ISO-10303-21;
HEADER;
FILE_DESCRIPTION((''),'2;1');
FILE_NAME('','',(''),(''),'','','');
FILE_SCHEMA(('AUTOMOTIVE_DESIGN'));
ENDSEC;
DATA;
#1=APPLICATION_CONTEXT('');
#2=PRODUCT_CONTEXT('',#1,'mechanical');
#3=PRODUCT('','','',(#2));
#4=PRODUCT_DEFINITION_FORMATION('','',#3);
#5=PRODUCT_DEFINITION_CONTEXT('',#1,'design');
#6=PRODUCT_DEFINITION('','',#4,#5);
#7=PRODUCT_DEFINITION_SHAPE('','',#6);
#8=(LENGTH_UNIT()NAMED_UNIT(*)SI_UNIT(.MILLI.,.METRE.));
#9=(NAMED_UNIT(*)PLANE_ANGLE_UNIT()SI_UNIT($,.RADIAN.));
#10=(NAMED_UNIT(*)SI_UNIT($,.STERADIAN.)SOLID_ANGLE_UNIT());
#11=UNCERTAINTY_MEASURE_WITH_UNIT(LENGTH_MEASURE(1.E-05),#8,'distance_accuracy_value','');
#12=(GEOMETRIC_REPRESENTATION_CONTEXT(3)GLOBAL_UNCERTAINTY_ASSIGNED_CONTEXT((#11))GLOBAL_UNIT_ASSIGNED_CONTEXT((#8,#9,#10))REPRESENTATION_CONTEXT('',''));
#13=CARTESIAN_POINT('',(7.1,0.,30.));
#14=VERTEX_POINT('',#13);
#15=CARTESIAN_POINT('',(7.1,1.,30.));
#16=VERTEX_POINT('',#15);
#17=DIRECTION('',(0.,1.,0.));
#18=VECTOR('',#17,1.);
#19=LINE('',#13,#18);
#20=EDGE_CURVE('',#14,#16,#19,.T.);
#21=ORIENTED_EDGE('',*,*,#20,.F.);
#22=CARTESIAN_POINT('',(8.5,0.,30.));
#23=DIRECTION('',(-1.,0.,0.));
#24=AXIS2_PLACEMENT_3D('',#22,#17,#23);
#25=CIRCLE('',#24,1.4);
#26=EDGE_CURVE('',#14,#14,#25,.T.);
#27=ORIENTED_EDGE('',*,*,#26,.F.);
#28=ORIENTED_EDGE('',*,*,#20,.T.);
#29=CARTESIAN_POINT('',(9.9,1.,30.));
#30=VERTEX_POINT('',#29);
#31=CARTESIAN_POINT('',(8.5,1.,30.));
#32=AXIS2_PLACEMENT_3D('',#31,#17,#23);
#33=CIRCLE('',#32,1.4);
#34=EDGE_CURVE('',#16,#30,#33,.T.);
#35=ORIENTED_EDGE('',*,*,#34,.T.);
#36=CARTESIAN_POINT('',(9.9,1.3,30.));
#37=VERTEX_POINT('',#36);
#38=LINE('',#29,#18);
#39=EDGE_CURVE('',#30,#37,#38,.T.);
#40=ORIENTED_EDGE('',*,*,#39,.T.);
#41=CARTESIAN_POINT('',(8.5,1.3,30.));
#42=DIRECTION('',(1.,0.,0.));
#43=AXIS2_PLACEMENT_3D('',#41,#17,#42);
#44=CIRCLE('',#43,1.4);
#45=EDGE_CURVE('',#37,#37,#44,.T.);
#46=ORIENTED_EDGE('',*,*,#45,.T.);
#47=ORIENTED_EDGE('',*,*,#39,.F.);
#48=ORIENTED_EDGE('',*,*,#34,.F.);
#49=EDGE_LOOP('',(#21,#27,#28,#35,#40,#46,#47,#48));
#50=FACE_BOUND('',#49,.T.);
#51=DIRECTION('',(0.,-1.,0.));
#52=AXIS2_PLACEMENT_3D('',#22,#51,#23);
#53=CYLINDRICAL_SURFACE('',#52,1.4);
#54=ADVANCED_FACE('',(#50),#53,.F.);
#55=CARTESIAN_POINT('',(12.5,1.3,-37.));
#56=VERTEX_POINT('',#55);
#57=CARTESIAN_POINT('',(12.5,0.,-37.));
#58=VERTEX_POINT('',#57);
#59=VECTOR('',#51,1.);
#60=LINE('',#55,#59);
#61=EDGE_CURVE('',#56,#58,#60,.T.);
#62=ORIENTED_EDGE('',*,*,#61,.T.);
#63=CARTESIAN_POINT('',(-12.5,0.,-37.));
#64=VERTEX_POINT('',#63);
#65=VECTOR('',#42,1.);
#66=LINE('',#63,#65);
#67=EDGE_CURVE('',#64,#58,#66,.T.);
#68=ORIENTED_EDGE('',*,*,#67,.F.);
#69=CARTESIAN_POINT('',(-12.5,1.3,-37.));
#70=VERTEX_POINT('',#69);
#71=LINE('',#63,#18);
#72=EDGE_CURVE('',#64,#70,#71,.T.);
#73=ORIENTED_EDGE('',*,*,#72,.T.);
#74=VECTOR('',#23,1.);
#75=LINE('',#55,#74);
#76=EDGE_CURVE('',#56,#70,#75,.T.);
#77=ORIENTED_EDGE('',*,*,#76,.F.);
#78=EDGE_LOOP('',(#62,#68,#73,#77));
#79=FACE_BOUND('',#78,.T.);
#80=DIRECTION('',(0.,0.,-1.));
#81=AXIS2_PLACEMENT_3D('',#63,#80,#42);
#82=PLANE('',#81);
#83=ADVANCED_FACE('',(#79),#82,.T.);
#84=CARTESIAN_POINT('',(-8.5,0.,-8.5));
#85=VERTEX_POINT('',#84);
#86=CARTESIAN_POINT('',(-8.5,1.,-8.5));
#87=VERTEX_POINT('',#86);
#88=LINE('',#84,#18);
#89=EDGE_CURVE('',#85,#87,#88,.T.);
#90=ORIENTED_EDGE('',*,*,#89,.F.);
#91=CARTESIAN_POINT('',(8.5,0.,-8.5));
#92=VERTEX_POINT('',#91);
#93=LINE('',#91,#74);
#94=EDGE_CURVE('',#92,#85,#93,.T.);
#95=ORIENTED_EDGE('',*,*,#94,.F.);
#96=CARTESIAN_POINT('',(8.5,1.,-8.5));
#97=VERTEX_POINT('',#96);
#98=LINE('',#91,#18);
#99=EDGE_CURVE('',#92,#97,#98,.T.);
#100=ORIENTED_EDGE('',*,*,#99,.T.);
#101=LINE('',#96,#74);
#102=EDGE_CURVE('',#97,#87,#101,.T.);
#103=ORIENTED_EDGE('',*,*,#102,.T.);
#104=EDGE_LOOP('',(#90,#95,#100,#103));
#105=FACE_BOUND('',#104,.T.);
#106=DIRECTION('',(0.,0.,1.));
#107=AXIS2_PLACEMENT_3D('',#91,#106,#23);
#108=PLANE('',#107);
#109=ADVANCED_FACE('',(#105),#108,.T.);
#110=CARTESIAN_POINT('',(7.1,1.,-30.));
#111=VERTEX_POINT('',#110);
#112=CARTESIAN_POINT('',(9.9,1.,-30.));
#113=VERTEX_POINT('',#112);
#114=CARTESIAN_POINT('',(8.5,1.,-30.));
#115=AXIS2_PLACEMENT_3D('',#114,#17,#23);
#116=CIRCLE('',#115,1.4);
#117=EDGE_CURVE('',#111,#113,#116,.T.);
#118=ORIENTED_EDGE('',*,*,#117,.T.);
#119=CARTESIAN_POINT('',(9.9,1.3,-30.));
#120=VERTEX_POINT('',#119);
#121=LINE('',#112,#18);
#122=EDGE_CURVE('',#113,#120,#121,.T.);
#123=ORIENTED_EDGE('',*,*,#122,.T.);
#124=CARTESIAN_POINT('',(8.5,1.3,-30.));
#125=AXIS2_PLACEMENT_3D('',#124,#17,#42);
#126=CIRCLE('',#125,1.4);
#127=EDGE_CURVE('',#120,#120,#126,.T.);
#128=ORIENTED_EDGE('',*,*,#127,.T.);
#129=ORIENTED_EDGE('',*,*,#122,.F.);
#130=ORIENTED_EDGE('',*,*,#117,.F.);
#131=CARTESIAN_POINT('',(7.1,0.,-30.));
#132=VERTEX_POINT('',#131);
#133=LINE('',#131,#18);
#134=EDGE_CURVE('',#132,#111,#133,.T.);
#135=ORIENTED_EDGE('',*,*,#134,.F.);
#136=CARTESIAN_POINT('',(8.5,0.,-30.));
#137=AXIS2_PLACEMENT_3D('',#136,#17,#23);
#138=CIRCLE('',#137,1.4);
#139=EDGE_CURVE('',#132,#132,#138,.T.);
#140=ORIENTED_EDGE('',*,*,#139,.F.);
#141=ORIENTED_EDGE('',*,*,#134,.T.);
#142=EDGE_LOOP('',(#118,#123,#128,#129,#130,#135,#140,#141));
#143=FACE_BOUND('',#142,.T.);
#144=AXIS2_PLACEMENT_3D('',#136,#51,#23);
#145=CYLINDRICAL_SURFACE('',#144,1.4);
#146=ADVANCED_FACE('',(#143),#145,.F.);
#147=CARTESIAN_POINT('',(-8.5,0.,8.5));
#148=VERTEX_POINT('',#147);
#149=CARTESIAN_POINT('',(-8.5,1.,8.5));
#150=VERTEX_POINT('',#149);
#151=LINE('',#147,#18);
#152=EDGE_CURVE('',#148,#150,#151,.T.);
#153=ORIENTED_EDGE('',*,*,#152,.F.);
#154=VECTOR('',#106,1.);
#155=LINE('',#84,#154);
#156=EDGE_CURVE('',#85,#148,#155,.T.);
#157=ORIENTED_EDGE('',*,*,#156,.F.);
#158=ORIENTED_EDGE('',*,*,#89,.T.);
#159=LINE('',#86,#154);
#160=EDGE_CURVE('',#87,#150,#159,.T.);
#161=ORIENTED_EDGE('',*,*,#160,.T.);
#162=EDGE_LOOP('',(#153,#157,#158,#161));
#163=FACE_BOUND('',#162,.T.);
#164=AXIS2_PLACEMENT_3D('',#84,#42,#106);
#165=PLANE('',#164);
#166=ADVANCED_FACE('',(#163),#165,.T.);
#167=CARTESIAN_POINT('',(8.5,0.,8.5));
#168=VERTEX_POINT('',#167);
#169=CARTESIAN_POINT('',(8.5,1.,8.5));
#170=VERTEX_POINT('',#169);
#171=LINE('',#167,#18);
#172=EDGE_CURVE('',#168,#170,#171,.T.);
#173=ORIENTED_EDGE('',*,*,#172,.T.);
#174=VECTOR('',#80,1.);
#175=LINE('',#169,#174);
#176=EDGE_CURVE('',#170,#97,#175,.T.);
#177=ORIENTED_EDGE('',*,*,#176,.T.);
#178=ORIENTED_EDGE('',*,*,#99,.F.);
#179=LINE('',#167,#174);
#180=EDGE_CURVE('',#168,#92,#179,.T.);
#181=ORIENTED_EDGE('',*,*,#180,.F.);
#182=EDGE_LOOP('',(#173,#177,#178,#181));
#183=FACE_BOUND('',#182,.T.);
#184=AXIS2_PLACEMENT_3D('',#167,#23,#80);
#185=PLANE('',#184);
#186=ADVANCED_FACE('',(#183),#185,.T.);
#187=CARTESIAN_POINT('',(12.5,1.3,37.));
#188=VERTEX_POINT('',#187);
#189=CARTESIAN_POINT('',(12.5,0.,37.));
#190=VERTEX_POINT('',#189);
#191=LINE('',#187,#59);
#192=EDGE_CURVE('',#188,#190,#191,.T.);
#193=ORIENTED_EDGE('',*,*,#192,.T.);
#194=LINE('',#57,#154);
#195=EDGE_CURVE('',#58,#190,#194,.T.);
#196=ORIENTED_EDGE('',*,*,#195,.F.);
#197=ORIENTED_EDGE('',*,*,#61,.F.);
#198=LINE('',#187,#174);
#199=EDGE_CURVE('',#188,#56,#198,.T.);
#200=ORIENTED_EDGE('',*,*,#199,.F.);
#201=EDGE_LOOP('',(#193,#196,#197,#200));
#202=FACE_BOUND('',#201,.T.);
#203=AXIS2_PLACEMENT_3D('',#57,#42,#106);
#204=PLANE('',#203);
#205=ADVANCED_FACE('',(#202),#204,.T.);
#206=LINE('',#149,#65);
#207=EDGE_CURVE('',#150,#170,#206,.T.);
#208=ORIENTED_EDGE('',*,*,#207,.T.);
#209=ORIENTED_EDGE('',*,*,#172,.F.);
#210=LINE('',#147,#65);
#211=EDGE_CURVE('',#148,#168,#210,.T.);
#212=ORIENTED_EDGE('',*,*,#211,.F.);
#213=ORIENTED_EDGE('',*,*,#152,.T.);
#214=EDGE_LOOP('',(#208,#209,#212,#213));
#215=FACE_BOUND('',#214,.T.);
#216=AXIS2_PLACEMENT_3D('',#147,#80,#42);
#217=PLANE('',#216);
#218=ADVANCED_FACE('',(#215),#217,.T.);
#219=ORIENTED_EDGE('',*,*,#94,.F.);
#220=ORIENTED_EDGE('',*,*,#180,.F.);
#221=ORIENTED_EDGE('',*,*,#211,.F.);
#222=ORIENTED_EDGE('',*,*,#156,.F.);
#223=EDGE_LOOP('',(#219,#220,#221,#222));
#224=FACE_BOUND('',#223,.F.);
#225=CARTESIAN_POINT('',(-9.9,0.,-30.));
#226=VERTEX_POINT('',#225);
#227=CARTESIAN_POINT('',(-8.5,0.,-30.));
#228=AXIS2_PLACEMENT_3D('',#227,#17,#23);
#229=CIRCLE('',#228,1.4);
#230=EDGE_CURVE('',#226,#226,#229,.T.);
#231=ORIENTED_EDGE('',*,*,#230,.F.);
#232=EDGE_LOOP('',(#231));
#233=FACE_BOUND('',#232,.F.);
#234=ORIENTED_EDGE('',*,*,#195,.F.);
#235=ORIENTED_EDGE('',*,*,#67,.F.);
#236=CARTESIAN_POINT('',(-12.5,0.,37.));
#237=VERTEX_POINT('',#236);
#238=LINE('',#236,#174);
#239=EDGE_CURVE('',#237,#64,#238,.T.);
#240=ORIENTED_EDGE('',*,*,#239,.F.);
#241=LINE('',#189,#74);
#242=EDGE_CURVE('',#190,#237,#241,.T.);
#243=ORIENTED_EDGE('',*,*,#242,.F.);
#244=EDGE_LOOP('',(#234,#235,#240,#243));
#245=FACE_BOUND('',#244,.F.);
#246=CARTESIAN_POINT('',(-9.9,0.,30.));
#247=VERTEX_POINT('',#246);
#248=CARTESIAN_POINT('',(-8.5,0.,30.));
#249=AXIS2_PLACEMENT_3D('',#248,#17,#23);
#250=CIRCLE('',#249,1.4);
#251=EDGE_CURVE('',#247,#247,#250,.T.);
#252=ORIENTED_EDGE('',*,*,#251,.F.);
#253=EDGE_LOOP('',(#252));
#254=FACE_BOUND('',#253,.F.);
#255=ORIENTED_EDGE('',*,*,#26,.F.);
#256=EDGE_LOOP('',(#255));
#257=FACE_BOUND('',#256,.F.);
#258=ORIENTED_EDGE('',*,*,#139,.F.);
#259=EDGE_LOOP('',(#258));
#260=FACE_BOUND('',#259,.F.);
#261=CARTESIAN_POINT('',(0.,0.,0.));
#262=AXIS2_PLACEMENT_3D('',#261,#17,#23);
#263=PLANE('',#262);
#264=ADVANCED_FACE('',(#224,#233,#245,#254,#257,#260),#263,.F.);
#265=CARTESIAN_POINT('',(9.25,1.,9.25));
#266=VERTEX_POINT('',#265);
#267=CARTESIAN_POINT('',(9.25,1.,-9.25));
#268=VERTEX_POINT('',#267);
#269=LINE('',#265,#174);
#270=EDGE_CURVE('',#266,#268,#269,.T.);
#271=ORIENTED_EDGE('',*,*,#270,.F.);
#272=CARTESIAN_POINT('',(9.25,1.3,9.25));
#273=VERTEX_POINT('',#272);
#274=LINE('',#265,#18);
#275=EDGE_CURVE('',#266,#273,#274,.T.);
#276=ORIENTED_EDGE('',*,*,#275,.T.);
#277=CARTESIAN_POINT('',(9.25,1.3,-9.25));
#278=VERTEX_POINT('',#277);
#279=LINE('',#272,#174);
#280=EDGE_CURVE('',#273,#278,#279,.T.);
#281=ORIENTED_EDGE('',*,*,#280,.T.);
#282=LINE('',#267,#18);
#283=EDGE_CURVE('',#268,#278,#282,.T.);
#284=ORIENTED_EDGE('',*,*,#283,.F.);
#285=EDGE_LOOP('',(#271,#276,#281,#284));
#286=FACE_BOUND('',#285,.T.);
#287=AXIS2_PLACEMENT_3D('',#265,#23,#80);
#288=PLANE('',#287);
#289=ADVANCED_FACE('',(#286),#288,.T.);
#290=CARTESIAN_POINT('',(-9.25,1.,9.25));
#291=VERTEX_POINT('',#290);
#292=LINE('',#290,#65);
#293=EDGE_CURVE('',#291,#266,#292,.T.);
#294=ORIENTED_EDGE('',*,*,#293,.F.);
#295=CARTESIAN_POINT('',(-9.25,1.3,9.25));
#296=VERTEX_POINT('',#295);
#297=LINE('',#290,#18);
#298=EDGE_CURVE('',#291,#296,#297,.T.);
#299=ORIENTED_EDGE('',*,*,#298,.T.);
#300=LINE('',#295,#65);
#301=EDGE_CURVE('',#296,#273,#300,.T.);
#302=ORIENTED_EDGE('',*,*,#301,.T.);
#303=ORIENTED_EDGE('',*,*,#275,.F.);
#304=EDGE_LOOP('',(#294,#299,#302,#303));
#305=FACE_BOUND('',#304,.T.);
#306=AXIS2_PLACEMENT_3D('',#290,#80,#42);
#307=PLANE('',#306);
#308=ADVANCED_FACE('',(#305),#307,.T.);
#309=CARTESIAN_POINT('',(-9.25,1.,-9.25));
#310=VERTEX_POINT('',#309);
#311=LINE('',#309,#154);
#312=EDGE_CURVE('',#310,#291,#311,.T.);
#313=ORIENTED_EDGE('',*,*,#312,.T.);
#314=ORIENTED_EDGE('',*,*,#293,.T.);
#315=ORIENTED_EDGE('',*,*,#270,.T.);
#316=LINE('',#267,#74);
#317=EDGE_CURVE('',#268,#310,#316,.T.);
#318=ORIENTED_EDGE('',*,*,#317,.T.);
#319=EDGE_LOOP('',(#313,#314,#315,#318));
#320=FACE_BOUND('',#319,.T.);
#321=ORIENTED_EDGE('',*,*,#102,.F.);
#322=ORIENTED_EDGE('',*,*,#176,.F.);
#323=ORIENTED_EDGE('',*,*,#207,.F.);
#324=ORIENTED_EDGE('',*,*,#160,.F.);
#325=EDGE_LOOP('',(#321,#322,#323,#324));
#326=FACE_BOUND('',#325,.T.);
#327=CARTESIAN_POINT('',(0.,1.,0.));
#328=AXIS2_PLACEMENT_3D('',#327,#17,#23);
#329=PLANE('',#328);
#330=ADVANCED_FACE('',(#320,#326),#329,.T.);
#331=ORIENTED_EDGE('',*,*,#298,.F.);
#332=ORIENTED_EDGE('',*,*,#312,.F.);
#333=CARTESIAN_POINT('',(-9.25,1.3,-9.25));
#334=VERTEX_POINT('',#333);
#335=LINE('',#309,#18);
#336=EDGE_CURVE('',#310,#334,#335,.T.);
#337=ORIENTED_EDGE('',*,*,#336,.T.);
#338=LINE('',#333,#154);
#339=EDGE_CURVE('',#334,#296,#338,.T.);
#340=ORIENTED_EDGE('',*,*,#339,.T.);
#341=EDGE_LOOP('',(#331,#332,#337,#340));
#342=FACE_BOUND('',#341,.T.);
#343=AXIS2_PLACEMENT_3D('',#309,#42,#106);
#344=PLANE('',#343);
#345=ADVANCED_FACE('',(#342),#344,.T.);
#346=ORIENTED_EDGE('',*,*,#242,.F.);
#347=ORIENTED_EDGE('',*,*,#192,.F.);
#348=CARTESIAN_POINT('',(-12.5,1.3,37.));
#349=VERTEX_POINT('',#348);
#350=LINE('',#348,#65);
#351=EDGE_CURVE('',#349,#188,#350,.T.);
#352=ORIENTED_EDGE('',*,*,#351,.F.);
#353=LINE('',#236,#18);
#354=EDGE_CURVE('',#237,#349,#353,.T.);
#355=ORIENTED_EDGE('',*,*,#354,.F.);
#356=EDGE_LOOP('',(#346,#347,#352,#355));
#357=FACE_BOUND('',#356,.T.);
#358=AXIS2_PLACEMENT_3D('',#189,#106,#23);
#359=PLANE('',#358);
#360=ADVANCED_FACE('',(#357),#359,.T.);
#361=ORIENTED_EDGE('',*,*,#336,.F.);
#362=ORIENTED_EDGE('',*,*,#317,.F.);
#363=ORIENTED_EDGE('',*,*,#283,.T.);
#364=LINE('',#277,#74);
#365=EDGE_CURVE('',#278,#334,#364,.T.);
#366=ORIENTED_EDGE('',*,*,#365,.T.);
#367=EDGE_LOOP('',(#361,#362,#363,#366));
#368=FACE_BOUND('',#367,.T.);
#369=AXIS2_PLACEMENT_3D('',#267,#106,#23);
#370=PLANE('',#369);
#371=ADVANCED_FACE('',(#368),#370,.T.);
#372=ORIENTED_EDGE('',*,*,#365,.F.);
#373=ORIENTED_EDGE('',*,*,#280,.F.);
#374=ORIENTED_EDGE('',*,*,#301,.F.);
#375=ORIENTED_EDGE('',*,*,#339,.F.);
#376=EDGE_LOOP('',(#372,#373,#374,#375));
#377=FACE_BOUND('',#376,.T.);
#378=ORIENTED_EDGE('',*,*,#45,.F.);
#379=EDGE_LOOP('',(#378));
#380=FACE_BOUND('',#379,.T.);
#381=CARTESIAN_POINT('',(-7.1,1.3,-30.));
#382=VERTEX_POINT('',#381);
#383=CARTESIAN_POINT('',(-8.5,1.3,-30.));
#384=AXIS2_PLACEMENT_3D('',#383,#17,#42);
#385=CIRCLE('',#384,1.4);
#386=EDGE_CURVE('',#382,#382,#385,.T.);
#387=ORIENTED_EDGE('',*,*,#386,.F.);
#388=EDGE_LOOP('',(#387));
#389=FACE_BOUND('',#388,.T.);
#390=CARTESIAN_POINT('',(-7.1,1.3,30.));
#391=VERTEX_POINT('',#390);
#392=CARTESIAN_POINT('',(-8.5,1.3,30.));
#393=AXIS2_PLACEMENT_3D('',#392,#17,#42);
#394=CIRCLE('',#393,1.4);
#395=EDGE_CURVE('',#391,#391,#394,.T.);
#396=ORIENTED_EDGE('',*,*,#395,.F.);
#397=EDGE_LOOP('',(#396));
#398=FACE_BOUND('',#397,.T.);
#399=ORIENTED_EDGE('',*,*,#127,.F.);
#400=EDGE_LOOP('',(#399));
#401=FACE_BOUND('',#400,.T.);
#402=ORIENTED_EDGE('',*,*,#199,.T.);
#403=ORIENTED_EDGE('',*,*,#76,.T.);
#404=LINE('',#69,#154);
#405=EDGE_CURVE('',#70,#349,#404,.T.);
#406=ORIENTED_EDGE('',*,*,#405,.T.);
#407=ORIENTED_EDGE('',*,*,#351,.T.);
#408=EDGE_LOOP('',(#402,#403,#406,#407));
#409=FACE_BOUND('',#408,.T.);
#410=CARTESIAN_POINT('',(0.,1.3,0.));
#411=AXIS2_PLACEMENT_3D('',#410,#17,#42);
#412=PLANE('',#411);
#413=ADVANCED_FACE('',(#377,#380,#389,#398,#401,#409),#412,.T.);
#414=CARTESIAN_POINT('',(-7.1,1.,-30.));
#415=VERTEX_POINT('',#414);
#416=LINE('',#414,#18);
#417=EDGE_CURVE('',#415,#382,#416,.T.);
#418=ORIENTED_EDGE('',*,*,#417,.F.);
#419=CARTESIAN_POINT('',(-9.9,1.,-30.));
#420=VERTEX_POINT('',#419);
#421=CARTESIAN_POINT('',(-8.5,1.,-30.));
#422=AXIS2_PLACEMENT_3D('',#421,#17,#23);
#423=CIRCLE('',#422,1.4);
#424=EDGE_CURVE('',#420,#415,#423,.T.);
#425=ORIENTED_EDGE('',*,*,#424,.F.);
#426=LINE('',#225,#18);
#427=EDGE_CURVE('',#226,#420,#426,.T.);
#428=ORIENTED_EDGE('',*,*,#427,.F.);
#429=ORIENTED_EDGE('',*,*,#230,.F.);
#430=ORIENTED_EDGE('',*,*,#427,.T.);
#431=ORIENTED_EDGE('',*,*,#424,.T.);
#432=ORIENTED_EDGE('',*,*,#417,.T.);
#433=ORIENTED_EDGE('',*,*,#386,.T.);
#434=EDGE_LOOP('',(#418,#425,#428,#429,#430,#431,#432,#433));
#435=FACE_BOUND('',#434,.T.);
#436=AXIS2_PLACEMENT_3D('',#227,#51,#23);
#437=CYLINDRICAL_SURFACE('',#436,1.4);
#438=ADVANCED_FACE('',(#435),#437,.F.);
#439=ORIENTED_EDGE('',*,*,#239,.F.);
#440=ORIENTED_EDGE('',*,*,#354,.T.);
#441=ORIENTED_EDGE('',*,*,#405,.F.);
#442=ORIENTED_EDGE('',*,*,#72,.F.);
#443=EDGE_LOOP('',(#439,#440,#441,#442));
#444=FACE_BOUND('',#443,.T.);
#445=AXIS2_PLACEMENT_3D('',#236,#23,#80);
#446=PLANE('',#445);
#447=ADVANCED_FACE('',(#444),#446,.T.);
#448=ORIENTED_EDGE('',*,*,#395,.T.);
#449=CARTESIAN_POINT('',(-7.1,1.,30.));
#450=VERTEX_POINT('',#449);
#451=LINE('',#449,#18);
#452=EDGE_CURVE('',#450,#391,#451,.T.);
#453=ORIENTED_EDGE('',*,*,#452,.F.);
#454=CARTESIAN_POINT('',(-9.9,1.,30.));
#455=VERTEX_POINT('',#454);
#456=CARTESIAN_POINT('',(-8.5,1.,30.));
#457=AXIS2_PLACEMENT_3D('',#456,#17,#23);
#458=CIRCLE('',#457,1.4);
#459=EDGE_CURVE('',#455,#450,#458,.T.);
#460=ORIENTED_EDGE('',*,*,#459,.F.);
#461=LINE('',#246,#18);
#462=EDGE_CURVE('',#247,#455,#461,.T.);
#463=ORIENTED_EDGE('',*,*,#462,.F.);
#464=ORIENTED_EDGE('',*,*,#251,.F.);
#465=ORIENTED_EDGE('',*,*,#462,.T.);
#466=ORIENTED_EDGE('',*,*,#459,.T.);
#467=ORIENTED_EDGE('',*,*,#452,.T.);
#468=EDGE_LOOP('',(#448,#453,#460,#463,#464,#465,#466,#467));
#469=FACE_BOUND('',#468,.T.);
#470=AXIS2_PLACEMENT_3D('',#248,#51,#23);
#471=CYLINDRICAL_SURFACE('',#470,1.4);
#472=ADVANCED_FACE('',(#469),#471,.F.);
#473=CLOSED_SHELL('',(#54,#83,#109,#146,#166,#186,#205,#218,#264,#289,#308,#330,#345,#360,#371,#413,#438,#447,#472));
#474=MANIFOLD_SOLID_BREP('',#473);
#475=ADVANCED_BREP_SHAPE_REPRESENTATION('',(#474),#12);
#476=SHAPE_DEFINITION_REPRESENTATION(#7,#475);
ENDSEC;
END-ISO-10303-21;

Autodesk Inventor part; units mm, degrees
ref_plane "YZ Plane" through (0, 0, 0) normal (1, 0, 0) x (0, 1, 0)
ref_plane "XZ Plane" through (0, 0, 0) normal (0, 1, 0) x (-1, 0, 0)
ref_plane "XY Plane" through (0, 0, 0) normal (0, 0, 1) x (1, 0, 0)
sketch "Skizze1" plane through (0, 0, 0) normal (0, 1, 0) x (-1, 0, 0)
  line L0 (12.5, -37) -> (-12.5, -37)
  line L1 (-12.5, -37) -> (-12.5, 37)
  line L2 (-12.5, 37) -> (12.5, 37)
  line L3 (12.5, 37) -> (12.5, -37)
  line L4 (12.5, -37) -> (-12.5, 37) construction
  line L5 (-12.5, -37) -> (12.5, 37) construction
  line L6 (8.5, 8.5) -> (-8.5, 8.5)
  line L7 (-8.5, 8.5) -> (-8.5, -8.5)
  line L8 (-8.5, -8.5) -> (8.5, -8.5)
  line L9 (8.5, -8.5) -> (8.5, 8.5)
  line L10 (8.5, 8.5) -> (-8.5, -8.5) construction
  line L11 (-8.5, 8.5) -> (8.5, -8.5) construction
  line L12 (-8.5, -30) -> (8.5, -30) construction
  line L13 (8.5, -30) -> (8.5, 30) construction
  line L14 (8.5, 30) -> (-8.5, 30) construction
  line L15 (-8.5, 30) -> (-8.5, -30) construction
  line L16 (-8.5, -30) -> (8.5, 30) construction
  line L17 (8.5, -30) -> (-8.5, 30) construction
  circle A0 centre (8.5, 30) radius 1.4
  circle A1 centre (-8.5, 30) radius 1.4
  circle A2 centre (8.5, -30) radius 1.4
  circle A3 centre (-8.5, -30) radius 1.4
  point P0 (0, 0)
  dimension "d0" = 25
  dimension "d1" = 74
  dimension "d2" = 17
  dimension "d3" = 17
  dimension "d10" = 17
  dimension "d11" = 60
  dimension "d12" = 2.8
  dimension "d13" = 2.8
  dimension "d14" = 2.8
  dimension "d15" = 2.8
extrude "Extrusion1" add sketch "Skizze1" along normal blind 1
sketch "Skizze2" plane through (0, 1, 0) normal (0, 1, 0) x (1, 0, 0)
  line L0 (-12.5, -37) -> (12.5, -37) projected
  line L1 (12.5, -37) -> (12.5, 37) projected
  line L2 (12.5, 37) -> (-12.5, 37) projected
  line L3 (-12.5, 37) -> (-12.5, -37) projected
  line L4 (-8.5, -8.5) -> (-8.5, 8.5) projected
  line L5 (-8.5, 8.5) -> (8.5, 8.5) projected
  line L6 (8.5, 8.5) -> (8.5, -8.5) projected
  line L7 (8.5, -8.5) -> (-8.5, -8.5) projected
  line L8 (-9.25, -9.25) -> (9.25, -9.25)
  line L9 (9.25, -9.25) -> (9.25, 9.25)
  line L10 (9.25, 9.25) -> (-9.25, 9.25)
  line L11 (-9.25, 9.25) -> (-9.25, -9.25)
  line L12 (-9.25, -9.25) -> (9.25, 9.25) construction
  line L13 (9.25, -9.25) -> (-9.25, 9.25) construction
  circle A0 centre (-8.5, -30) radius 1.4 projected
  circle A1 centre (8.5, -30) radius 1.4 projected
  circle A2 centre (8.5, 30) radius 1.4 projected
  circle A3 centre (-8.5, 30) radius 1.4 projected
  point P0 (0, 0)
  dimension "d6" = 18.5
  dimension "d7" = 18.5
extrude "Extrusion2" add sketch "Skizze2" along normal blind 0.3 contours L3 L2 L1 L0
properties part number "40_microfluidic_chip_lightsheet_base_v0"
